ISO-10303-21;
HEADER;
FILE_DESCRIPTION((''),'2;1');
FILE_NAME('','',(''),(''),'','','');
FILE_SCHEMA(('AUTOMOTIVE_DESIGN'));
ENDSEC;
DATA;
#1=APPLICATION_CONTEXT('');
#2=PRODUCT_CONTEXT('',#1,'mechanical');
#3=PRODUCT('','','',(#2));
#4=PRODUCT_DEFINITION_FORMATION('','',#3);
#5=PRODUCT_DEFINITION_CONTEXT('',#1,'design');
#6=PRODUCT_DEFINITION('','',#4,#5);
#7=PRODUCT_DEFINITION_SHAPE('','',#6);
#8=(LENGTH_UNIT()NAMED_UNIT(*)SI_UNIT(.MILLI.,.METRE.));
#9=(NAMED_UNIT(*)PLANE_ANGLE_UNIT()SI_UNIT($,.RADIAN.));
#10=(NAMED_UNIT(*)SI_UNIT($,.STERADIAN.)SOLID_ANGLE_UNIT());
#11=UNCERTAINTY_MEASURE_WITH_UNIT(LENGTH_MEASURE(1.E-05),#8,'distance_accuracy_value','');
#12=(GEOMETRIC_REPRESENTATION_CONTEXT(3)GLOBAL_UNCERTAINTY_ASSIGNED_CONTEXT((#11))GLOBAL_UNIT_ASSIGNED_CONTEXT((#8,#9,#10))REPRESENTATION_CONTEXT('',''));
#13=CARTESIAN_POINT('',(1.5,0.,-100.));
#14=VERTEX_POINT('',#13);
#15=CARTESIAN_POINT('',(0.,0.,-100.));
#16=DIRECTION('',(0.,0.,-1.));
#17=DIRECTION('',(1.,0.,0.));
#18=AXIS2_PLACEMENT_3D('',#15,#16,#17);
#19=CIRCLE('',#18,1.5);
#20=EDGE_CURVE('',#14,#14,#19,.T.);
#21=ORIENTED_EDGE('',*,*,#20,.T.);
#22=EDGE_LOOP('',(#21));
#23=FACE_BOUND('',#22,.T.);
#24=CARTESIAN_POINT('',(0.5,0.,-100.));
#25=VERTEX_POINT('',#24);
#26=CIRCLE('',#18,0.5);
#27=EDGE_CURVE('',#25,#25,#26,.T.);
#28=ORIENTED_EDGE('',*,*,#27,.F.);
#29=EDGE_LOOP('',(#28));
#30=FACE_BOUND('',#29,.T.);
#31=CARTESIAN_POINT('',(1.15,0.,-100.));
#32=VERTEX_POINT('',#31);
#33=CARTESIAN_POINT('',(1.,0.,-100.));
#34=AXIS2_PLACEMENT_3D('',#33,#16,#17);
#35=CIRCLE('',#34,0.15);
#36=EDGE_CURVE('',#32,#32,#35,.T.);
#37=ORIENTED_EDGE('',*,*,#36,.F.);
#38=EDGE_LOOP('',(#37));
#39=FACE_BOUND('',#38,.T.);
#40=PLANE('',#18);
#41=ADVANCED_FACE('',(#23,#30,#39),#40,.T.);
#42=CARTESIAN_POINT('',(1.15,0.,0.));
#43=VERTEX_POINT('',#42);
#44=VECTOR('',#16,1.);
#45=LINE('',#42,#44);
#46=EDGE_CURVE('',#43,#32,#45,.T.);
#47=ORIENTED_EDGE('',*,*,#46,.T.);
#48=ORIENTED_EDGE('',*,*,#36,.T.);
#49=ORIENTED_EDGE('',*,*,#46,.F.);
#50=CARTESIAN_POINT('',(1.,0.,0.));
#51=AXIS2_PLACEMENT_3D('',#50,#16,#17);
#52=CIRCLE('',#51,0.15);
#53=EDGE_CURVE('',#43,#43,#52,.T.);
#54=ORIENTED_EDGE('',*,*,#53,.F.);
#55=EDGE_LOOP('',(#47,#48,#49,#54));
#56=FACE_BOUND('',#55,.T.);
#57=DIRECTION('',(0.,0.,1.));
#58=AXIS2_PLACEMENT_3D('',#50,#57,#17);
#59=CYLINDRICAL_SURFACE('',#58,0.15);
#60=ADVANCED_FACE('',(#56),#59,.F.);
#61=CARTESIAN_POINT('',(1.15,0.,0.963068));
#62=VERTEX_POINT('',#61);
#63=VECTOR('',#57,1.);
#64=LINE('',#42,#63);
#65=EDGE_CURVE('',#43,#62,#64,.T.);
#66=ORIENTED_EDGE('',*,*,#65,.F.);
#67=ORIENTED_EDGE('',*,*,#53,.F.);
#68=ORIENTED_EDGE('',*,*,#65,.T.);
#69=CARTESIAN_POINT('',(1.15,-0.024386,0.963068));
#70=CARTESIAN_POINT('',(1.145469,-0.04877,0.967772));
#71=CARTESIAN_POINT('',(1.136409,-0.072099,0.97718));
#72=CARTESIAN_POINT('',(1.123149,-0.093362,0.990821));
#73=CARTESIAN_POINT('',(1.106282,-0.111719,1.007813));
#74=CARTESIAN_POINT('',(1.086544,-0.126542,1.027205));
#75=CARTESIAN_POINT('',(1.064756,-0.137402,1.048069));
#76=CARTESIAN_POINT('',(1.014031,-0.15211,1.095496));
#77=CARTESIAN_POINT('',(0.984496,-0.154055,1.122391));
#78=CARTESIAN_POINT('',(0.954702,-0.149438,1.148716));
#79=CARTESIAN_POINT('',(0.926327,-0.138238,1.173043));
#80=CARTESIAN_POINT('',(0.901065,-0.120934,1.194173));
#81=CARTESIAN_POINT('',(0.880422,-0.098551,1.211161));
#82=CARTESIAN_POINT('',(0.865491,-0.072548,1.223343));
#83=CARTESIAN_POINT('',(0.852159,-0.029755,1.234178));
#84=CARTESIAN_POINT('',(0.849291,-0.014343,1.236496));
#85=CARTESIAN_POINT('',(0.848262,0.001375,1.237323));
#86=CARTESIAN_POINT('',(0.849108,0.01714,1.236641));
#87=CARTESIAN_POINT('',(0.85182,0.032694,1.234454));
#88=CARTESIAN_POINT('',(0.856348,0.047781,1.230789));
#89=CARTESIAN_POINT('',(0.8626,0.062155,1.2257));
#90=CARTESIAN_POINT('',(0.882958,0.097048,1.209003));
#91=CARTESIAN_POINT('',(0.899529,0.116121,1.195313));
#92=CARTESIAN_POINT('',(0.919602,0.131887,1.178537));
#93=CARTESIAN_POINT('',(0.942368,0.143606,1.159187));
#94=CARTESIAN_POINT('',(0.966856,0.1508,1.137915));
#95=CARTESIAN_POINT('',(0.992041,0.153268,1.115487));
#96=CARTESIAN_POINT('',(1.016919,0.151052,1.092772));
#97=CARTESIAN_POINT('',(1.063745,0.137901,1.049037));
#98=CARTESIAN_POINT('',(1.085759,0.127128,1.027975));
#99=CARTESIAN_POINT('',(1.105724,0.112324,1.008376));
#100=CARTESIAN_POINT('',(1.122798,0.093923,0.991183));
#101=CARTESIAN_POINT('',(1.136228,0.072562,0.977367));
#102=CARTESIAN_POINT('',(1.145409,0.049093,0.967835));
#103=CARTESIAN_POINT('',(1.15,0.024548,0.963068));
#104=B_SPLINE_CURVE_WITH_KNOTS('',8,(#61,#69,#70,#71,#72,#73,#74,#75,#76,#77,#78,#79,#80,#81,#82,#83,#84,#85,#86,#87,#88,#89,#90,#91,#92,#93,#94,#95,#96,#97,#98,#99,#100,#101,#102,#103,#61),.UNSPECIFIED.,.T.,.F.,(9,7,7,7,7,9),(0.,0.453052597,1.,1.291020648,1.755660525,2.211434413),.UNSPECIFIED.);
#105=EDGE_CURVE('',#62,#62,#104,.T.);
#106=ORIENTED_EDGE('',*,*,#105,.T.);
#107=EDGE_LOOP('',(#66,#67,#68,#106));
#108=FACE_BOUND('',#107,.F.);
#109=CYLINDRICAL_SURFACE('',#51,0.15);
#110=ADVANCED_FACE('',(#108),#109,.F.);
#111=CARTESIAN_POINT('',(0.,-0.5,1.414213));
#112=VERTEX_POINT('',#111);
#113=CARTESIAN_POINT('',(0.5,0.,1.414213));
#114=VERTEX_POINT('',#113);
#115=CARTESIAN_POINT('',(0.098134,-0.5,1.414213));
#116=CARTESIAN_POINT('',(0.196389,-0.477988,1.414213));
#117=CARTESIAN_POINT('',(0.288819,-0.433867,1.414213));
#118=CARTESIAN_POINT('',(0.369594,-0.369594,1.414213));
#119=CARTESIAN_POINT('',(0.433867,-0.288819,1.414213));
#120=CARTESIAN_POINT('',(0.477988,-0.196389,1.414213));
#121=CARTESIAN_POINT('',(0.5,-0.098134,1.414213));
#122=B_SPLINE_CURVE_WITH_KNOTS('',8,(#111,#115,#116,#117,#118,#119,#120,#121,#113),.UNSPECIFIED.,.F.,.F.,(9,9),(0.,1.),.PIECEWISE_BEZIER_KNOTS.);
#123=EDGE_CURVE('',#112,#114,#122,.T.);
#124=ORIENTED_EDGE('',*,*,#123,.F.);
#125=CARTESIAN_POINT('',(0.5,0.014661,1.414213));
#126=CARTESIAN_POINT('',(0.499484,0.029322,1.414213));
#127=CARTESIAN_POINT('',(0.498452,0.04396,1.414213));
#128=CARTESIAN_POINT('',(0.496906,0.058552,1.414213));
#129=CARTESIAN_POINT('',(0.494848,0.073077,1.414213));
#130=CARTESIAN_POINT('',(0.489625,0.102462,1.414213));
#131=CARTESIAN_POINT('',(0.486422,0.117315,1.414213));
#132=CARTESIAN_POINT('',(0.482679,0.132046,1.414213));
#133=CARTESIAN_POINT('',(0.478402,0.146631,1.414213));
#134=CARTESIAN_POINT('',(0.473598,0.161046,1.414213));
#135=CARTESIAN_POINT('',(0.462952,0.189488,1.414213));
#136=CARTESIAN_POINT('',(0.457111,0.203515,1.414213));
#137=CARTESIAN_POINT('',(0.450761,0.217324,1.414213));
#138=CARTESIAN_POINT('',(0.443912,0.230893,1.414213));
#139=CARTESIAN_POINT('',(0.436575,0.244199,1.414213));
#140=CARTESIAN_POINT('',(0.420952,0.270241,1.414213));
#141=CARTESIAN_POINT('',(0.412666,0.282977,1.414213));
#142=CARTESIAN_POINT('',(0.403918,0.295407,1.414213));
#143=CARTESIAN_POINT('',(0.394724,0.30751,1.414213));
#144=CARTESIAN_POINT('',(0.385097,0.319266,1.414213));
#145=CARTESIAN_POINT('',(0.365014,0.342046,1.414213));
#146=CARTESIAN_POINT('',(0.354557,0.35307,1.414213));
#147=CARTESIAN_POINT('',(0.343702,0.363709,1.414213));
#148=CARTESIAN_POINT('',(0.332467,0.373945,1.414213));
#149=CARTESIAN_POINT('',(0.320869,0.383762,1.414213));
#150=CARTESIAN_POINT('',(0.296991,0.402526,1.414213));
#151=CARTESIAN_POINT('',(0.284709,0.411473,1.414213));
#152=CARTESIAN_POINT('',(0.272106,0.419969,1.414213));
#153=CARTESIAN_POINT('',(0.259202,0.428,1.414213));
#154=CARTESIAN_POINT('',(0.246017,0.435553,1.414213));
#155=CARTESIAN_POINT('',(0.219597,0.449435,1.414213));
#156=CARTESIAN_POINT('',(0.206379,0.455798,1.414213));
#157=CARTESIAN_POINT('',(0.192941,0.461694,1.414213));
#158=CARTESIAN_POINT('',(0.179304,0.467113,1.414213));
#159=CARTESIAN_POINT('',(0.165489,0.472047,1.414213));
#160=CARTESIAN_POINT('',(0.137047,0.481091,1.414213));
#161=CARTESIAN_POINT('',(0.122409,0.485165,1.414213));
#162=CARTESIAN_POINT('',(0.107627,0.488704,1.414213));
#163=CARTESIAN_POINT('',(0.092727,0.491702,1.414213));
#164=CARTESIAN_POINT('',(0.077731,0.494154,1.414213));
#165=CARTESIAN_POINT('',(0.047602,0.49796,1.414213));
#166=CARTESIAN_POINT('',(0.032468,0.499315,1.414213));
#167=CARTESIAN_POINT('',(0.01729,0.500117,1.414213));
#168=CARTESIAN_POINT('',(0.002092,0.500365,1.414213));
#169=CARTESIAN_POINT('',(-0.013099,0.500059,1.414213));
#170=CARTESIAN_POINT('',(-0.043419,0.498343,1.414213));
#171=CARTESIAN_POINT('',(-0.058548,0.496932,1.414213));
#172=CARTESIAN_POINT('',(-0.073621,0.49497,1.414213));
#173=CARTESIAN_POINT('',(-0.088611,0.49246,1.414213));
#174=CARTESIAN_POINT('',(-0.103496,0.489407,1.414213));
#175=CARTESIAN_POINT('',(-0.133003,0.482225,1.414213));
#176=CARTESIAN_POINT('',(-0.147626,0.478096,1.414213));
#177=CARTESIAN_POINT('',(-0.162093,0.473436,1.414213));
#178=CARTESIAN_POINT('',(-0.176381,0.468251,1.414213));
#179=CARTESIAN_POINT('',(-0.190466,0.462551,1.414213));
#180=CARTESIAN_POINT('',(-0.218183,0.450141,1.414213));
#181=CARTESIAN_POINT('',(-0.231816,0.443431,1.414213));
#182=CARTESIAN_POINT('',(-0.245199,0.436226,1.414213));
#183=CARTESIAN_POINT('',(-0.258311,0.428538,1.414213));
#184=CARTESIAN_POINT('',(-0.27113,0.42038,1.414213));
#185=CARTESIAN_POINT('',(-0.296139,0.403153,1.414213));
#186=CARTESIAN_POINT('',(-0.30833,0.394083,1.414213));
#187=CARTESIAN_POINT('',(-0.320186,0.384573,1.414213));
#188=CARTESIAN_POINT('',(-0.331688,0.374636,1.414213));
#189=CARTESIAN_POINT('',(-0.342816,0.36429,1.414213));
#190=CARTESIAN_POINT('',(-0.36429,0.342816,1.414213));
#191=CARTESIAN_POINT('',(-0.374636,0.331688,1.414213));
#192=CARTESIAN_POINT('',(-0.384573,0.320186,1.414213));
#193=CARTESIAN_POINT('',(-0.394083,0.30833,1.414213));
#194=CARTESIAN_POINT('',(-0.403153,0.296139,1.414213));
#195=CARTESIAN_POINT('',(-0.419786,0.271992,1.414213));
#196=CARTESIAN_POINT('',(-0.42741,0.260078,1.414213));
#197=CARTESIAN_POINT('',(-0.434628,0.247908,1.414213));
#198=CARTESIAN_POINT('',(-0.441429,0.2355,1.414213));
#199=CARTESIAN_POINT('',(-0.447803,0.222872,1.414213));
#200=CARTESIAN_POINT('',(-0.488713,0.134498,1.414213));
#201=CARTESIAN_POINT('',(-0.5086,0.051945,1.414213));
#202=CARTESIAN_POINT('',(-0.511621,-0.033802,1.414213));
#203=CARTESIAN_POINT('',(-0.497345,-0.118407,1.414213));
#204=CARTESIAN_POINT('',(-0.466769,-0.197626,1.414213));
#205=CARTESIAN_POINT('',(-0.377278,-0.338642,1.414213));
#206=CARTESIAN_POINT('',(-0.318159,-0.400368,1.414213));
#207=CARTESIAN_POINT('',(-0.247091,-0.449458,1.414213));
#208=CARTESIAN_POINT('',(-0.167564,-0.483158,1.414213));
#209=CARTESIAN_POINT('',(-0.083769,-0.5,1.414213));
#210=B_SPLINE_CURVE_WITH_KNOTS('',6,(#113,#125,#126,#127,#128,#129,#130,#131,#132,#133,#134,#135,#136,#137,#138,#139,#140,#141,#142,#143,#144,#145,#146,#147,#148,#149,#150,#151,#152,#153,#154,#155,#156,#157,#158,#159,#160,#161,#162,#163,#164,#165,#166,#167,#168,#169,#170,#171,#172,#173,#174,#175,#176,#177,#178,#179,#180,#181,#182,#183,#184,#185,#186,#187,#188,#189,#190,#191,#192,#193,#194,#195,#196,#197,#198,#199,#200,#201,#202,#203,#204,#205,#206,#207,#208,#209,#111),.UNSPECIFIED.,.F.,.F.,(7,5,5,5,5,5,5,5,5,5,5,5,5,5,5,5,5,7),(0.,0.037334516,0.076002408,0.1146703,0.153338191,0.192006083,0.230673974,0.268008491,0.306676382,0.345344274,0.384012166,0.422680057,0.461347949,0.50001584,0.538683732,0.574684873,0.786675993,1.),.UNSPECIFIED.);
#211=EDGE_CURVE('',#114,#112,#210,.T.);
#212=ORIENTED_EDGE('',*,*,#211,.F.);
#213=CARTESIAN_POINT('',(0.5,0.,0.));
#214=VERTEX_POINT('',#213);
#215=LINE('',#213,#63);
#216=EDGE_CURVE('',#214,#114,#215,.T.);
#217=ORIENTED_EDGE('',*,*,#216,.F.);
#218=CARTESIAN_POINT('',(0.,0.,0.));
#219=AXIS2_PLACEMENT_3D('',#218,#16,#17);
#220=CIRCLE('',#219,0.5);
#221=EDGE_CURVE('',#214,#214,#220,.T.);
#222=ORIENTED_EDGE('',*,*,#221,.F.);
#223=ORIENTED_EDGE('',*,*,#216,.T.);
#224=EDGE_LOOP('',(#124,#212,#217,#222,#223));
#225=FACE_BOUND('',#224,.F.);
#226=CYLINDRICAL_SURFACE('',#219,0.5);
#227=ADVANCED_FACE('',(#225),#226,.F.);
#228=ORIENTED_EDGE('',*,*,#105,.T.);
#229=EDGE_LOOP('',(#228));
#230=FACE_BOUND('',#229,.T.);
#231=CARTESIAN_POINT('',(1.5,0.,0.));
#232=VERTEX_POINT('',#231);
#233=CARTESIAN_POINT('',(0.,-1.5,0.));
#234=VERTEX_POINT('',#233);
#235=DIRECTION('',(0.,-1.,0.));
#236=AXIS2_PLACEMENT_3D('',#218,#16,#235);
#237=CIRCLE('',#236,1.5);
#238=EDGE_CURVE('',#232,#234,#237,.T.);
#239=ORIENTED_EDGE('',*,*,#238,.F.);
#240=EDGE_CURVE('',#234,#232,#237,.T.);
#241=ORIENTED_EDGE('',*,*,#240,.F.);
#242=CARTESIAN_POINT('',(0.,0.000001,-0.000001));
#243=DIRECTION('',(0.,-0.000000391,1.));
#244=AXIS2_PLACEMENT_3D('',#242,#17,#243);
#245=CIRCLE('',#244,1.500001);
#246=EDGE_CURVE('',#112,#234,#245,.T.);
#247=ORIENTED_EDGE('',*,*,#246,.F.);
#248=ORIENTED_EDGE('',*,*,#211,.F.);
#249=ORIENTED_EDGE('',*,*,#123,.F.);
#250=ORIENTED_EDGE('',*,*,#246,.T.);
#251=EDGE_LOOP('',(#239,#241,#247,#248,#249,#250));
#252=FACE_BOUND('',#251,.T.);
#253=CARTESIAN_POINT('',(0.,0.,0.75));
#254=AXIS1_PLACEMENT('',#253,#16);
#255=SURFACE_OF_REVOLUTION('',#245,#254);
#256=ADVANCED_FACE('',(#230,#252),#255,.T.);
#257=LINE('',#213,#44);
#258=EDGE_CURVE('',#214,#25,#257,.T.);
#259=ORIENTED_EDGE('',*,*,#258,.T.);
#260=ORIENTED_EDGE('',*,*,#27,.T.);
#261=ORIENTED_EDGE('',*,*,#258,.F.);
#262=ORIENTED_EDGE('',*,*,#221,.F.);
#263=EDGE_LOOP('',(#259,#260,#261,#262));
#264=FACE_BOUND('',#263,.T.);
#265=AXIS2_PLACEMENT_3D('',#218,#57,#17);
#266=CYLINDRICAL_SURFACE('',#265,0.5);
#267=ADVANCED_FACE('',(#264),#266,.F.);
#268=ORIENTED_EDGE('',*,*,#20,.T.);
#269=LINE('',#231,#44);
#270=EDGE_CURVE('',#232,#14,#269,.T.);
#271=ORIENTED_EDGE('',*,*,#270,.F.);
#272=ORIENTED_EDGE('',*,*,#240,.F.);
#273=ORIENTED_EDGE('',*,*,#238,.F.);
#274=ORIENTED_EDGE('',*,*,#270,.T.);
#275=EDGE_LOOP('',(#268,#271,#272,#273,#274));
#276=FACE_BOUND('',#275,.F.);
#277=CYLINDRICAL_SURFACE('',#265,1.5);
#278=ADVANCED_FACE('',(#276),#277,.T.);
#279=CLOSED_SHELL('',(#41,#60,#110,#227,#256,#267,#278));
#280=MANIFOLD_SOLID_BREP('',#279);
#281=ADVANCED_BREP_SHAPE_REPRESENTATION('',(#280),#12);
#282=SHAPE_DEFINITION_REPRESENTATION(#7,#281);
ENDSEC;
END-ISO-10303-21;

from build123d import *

# Parameters (mm, degrees)
F2_R        = 0.5
F2_R_2      = 0.15
F3_DEPTH    = 25.4
F1_FACE_R   = 1.5
F1_FACE_R_2 = 0.15
F1_FACE_R_3 = 0.5
F4_DEPTH    = 100


with BuildPart() as f1:
    # F0 (on Right) → F1 (revolve)
    with BuildSketch(Plane.YZ):
        with BuildLine():
            Line((0, 0), (0, 1.5))
            ThreePointArc((0, 1.5), (-1.06066, 1.06066), (-1.5, 0))
            Line((-1.5, 0), (0, 0))
        make_face()
    revolve(axis=Axis((0, 0, 0.75), (0, 0, -1)))

    # F2 (on face) → F3 (cut)
    with BuildSketch(Plane(origin=(0, 0, 0), x_dir=(1, 0, 0), z_dir=(0, 0, -1))):
        Circle(F2_R)
        with Locations((1, 0)):
            Circle(F2_R_2)
    extrude(amount=-F3_DEPTH, mode=Mode.SUBTRACT)

    # F1_face (on face) → F4 (join)
    with BuildSketch(Plane(origin=(0, 0, 0), x_dir=(1, 0, 0), z_dir=(0, 0, -1))):
        Circle(F1_FACE_R)
        with Locations((1, 0)):
            Circle(F1_FACE_R_2, mode=Mode.SUBTRACT)
        Circle(F1_FACE_R_3, mode=Mode.SUBTRACT)
    extrude(amount=F4_DEPTH)


solid = f1.part
